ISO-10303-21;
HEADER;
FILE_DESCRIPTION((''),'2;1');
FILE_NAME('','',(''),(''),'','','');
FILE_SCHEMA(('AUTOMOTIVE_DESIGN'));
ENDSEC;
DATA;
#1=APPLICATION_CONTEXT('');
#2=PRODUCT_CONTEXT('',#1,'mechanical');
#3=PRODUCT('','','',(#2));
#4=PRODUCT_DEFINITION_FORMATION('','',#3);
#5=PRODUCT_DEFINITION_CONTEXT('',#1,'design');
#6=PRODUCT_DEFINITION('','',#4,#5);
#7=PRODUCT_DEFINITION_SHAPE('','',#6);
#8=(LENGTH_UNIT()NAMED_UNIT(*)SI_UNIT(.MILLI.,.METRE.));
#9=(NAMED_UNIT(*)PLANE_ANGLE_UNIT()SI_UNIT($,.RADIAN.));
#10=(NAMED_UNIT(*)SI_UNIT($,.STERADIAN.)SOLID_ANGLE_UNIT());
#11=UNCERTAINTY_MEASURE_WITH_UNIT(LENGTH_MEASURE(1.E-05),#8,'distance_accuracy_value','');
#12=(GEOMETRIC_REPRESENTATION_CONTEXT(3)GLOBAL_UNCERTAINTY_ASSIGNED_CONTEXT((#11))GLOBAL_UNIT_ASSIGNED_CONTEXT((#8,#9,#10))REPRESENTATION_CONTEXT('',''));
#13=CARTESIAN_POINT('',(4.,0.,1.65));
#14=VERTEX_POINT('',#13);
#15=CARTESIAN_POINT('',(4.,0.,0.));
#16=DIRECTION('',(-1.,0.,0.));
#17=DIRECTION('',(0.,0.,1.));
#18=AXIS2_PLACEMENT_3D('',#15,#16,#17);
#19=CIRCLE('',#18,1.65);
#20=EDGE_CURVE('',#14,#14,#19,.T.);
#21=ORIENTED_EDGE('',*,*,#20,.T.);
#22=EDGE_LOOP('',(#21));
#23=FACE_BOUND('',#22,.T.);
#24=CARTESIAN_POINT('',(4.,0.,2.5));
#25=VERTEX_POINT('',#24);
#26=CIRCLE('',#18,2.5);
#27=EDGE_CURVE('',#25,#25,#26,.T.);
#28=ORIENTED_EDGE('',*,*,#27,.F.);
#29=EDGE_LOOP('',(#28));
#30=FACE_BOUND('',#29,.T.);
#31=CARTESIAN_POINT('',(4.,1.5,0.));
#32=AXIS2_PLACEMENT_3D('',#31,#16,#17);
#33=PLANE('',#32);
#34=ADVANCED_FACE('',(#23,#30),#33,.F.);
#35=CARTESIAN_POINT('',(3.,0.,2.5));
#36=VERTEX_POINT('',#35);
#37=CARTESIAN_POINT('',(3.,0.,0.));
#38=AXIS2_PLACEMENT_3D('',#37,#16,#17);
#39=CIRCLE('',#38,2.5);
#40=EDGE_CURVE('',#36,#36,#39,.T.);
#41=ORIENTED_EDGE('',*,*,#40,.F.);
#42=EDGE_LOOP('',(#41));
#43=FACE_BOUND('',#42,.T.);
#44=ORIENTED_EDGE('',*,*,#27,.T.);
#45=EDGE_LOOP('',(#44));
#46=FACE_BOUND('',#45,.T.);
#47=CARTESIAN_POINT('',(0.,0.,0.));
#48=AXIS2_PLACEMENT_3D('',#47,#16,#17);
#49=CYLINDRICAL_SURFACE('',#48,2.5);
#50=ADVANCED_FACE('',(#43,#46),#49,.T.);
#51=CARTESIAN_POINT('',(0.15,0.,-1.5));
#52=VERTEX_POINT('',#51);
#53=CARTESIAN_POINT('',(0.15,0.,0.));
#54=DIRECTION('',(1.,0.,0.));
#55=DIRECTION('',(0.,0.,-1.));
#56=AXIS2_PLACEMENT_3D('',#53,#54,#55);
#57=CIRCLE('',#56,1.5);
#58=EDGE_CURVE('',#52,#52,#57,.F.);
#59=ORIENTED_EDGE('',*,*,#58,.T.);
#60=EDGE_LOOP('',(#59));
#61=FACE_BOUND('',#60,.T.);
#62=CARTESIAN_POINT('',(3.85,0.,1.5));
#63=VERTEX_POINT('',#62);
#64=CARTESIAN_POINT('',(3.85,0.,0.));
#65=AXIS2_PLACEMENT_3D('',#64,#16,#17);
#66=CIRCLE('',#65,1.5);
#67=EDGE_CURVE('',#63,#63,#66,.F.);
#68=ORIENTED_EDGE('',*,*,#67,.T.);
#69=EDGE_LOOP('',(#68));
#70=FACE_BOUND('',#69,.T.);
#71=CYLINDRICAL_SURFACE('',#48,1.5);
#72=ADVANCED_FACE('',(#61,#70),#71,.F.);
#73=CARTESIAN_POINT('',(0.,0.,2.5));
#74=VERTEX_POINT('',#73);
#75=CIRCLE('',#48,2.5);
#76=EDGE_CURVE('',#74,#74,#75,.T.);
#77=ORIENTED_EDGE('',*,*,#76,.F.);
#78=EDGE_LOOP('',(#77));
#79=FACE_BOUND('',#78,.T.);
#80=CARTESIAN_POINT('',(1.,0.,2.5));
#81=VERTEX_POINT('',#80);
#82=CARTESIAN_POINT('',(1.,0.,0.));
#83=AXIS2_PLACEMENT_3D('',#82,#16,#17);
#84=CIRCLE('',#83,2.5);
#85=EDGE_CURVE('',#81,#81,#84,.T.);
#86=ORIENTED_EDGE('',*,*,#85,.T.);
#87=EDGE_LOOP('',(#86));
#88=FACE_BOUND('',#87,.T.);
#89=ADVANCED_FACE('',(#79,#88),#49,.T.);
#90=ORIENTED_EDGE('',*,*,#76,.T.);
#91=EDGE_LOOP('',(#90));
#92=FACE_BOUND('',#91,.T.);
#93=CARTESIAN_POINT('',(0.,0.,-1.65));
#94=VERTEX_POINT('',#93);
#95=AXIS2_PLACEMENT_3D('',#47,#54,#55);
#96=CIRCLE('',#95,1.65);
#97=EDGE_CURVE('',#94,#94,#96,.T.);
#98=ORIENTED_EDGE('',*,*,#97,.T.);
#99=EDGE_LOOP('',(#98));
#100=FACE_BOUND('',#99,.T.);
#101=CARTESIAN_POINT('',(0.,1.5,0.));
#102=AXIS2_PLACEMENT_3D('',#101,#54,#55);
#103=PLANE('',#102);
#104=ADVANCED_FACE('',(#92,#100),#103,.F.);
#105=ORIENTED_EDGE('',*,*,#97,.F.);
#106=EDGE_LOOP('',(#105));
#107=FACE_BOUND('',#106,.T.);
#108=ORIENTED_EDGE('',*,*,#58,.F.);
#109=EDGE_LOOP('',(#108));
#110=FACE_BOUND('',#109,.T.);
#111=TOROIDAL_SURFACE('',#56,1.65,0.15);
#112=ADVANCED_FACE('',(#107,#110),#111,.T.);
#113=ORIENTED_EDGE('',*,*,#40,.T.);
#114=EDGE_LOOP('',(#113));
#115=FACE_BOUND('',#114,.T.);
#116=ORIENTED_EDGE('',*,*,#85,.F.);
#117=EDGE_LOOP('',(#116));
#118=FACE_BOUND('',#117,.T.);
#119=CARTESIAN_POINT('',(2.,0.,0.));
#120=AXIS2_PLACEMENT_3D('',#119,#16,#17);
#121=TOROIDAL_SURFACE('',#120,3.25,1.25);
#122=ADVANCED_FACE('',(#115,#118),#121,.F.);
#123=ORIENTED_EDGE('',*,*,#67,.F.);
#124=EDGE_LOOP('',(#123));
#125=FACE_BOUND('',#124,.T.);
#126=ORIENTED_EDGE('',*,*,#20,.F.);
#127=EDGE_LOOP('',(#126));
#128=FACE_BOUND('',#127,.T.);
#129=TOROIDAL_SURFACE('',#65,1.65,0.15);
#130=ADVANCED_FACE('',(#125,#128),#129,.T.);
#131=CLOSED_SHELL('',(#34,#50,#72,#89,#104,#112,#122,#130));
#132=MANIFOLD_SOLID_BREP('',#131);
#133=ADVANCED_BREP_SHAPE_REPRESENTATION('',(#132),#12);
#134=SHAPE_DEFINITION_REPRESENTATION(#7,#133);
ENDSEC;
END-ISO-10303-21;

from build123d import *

# Parameters (mm, degrees)
CONG_1_R = 0.15


with BuildPart() as part:
    # Esquisse1 → Base-Révolution (revolve)
    with BuildSketch(Plane.XY):
        with BuildLine():
            Line((0, 1.5), (0, 2.5))
            Line((0, 2.5), (1, 2.5))
            ThreePointArc((1, 2.5), (2, 2), (3, 2.5))
            Line((3, 2.5), (4, 2.5))
            Line((4, 2.5), (4, 1.5))
            Line((4, 1.5), (0, 1.5))
        make_face()
    revolve(axis=Axis((0, 0, 0), (1, 0, 0)))

    # Congé1
    cong_1_edges = [part.edges().sort_by_distance(p)[0] for p in [
        (0, -1.5, 0),
        (4, -1.5, 0),
    ]]
    fillet(cong_1_edges, radius=CONG_1_R)


solid = part.part
